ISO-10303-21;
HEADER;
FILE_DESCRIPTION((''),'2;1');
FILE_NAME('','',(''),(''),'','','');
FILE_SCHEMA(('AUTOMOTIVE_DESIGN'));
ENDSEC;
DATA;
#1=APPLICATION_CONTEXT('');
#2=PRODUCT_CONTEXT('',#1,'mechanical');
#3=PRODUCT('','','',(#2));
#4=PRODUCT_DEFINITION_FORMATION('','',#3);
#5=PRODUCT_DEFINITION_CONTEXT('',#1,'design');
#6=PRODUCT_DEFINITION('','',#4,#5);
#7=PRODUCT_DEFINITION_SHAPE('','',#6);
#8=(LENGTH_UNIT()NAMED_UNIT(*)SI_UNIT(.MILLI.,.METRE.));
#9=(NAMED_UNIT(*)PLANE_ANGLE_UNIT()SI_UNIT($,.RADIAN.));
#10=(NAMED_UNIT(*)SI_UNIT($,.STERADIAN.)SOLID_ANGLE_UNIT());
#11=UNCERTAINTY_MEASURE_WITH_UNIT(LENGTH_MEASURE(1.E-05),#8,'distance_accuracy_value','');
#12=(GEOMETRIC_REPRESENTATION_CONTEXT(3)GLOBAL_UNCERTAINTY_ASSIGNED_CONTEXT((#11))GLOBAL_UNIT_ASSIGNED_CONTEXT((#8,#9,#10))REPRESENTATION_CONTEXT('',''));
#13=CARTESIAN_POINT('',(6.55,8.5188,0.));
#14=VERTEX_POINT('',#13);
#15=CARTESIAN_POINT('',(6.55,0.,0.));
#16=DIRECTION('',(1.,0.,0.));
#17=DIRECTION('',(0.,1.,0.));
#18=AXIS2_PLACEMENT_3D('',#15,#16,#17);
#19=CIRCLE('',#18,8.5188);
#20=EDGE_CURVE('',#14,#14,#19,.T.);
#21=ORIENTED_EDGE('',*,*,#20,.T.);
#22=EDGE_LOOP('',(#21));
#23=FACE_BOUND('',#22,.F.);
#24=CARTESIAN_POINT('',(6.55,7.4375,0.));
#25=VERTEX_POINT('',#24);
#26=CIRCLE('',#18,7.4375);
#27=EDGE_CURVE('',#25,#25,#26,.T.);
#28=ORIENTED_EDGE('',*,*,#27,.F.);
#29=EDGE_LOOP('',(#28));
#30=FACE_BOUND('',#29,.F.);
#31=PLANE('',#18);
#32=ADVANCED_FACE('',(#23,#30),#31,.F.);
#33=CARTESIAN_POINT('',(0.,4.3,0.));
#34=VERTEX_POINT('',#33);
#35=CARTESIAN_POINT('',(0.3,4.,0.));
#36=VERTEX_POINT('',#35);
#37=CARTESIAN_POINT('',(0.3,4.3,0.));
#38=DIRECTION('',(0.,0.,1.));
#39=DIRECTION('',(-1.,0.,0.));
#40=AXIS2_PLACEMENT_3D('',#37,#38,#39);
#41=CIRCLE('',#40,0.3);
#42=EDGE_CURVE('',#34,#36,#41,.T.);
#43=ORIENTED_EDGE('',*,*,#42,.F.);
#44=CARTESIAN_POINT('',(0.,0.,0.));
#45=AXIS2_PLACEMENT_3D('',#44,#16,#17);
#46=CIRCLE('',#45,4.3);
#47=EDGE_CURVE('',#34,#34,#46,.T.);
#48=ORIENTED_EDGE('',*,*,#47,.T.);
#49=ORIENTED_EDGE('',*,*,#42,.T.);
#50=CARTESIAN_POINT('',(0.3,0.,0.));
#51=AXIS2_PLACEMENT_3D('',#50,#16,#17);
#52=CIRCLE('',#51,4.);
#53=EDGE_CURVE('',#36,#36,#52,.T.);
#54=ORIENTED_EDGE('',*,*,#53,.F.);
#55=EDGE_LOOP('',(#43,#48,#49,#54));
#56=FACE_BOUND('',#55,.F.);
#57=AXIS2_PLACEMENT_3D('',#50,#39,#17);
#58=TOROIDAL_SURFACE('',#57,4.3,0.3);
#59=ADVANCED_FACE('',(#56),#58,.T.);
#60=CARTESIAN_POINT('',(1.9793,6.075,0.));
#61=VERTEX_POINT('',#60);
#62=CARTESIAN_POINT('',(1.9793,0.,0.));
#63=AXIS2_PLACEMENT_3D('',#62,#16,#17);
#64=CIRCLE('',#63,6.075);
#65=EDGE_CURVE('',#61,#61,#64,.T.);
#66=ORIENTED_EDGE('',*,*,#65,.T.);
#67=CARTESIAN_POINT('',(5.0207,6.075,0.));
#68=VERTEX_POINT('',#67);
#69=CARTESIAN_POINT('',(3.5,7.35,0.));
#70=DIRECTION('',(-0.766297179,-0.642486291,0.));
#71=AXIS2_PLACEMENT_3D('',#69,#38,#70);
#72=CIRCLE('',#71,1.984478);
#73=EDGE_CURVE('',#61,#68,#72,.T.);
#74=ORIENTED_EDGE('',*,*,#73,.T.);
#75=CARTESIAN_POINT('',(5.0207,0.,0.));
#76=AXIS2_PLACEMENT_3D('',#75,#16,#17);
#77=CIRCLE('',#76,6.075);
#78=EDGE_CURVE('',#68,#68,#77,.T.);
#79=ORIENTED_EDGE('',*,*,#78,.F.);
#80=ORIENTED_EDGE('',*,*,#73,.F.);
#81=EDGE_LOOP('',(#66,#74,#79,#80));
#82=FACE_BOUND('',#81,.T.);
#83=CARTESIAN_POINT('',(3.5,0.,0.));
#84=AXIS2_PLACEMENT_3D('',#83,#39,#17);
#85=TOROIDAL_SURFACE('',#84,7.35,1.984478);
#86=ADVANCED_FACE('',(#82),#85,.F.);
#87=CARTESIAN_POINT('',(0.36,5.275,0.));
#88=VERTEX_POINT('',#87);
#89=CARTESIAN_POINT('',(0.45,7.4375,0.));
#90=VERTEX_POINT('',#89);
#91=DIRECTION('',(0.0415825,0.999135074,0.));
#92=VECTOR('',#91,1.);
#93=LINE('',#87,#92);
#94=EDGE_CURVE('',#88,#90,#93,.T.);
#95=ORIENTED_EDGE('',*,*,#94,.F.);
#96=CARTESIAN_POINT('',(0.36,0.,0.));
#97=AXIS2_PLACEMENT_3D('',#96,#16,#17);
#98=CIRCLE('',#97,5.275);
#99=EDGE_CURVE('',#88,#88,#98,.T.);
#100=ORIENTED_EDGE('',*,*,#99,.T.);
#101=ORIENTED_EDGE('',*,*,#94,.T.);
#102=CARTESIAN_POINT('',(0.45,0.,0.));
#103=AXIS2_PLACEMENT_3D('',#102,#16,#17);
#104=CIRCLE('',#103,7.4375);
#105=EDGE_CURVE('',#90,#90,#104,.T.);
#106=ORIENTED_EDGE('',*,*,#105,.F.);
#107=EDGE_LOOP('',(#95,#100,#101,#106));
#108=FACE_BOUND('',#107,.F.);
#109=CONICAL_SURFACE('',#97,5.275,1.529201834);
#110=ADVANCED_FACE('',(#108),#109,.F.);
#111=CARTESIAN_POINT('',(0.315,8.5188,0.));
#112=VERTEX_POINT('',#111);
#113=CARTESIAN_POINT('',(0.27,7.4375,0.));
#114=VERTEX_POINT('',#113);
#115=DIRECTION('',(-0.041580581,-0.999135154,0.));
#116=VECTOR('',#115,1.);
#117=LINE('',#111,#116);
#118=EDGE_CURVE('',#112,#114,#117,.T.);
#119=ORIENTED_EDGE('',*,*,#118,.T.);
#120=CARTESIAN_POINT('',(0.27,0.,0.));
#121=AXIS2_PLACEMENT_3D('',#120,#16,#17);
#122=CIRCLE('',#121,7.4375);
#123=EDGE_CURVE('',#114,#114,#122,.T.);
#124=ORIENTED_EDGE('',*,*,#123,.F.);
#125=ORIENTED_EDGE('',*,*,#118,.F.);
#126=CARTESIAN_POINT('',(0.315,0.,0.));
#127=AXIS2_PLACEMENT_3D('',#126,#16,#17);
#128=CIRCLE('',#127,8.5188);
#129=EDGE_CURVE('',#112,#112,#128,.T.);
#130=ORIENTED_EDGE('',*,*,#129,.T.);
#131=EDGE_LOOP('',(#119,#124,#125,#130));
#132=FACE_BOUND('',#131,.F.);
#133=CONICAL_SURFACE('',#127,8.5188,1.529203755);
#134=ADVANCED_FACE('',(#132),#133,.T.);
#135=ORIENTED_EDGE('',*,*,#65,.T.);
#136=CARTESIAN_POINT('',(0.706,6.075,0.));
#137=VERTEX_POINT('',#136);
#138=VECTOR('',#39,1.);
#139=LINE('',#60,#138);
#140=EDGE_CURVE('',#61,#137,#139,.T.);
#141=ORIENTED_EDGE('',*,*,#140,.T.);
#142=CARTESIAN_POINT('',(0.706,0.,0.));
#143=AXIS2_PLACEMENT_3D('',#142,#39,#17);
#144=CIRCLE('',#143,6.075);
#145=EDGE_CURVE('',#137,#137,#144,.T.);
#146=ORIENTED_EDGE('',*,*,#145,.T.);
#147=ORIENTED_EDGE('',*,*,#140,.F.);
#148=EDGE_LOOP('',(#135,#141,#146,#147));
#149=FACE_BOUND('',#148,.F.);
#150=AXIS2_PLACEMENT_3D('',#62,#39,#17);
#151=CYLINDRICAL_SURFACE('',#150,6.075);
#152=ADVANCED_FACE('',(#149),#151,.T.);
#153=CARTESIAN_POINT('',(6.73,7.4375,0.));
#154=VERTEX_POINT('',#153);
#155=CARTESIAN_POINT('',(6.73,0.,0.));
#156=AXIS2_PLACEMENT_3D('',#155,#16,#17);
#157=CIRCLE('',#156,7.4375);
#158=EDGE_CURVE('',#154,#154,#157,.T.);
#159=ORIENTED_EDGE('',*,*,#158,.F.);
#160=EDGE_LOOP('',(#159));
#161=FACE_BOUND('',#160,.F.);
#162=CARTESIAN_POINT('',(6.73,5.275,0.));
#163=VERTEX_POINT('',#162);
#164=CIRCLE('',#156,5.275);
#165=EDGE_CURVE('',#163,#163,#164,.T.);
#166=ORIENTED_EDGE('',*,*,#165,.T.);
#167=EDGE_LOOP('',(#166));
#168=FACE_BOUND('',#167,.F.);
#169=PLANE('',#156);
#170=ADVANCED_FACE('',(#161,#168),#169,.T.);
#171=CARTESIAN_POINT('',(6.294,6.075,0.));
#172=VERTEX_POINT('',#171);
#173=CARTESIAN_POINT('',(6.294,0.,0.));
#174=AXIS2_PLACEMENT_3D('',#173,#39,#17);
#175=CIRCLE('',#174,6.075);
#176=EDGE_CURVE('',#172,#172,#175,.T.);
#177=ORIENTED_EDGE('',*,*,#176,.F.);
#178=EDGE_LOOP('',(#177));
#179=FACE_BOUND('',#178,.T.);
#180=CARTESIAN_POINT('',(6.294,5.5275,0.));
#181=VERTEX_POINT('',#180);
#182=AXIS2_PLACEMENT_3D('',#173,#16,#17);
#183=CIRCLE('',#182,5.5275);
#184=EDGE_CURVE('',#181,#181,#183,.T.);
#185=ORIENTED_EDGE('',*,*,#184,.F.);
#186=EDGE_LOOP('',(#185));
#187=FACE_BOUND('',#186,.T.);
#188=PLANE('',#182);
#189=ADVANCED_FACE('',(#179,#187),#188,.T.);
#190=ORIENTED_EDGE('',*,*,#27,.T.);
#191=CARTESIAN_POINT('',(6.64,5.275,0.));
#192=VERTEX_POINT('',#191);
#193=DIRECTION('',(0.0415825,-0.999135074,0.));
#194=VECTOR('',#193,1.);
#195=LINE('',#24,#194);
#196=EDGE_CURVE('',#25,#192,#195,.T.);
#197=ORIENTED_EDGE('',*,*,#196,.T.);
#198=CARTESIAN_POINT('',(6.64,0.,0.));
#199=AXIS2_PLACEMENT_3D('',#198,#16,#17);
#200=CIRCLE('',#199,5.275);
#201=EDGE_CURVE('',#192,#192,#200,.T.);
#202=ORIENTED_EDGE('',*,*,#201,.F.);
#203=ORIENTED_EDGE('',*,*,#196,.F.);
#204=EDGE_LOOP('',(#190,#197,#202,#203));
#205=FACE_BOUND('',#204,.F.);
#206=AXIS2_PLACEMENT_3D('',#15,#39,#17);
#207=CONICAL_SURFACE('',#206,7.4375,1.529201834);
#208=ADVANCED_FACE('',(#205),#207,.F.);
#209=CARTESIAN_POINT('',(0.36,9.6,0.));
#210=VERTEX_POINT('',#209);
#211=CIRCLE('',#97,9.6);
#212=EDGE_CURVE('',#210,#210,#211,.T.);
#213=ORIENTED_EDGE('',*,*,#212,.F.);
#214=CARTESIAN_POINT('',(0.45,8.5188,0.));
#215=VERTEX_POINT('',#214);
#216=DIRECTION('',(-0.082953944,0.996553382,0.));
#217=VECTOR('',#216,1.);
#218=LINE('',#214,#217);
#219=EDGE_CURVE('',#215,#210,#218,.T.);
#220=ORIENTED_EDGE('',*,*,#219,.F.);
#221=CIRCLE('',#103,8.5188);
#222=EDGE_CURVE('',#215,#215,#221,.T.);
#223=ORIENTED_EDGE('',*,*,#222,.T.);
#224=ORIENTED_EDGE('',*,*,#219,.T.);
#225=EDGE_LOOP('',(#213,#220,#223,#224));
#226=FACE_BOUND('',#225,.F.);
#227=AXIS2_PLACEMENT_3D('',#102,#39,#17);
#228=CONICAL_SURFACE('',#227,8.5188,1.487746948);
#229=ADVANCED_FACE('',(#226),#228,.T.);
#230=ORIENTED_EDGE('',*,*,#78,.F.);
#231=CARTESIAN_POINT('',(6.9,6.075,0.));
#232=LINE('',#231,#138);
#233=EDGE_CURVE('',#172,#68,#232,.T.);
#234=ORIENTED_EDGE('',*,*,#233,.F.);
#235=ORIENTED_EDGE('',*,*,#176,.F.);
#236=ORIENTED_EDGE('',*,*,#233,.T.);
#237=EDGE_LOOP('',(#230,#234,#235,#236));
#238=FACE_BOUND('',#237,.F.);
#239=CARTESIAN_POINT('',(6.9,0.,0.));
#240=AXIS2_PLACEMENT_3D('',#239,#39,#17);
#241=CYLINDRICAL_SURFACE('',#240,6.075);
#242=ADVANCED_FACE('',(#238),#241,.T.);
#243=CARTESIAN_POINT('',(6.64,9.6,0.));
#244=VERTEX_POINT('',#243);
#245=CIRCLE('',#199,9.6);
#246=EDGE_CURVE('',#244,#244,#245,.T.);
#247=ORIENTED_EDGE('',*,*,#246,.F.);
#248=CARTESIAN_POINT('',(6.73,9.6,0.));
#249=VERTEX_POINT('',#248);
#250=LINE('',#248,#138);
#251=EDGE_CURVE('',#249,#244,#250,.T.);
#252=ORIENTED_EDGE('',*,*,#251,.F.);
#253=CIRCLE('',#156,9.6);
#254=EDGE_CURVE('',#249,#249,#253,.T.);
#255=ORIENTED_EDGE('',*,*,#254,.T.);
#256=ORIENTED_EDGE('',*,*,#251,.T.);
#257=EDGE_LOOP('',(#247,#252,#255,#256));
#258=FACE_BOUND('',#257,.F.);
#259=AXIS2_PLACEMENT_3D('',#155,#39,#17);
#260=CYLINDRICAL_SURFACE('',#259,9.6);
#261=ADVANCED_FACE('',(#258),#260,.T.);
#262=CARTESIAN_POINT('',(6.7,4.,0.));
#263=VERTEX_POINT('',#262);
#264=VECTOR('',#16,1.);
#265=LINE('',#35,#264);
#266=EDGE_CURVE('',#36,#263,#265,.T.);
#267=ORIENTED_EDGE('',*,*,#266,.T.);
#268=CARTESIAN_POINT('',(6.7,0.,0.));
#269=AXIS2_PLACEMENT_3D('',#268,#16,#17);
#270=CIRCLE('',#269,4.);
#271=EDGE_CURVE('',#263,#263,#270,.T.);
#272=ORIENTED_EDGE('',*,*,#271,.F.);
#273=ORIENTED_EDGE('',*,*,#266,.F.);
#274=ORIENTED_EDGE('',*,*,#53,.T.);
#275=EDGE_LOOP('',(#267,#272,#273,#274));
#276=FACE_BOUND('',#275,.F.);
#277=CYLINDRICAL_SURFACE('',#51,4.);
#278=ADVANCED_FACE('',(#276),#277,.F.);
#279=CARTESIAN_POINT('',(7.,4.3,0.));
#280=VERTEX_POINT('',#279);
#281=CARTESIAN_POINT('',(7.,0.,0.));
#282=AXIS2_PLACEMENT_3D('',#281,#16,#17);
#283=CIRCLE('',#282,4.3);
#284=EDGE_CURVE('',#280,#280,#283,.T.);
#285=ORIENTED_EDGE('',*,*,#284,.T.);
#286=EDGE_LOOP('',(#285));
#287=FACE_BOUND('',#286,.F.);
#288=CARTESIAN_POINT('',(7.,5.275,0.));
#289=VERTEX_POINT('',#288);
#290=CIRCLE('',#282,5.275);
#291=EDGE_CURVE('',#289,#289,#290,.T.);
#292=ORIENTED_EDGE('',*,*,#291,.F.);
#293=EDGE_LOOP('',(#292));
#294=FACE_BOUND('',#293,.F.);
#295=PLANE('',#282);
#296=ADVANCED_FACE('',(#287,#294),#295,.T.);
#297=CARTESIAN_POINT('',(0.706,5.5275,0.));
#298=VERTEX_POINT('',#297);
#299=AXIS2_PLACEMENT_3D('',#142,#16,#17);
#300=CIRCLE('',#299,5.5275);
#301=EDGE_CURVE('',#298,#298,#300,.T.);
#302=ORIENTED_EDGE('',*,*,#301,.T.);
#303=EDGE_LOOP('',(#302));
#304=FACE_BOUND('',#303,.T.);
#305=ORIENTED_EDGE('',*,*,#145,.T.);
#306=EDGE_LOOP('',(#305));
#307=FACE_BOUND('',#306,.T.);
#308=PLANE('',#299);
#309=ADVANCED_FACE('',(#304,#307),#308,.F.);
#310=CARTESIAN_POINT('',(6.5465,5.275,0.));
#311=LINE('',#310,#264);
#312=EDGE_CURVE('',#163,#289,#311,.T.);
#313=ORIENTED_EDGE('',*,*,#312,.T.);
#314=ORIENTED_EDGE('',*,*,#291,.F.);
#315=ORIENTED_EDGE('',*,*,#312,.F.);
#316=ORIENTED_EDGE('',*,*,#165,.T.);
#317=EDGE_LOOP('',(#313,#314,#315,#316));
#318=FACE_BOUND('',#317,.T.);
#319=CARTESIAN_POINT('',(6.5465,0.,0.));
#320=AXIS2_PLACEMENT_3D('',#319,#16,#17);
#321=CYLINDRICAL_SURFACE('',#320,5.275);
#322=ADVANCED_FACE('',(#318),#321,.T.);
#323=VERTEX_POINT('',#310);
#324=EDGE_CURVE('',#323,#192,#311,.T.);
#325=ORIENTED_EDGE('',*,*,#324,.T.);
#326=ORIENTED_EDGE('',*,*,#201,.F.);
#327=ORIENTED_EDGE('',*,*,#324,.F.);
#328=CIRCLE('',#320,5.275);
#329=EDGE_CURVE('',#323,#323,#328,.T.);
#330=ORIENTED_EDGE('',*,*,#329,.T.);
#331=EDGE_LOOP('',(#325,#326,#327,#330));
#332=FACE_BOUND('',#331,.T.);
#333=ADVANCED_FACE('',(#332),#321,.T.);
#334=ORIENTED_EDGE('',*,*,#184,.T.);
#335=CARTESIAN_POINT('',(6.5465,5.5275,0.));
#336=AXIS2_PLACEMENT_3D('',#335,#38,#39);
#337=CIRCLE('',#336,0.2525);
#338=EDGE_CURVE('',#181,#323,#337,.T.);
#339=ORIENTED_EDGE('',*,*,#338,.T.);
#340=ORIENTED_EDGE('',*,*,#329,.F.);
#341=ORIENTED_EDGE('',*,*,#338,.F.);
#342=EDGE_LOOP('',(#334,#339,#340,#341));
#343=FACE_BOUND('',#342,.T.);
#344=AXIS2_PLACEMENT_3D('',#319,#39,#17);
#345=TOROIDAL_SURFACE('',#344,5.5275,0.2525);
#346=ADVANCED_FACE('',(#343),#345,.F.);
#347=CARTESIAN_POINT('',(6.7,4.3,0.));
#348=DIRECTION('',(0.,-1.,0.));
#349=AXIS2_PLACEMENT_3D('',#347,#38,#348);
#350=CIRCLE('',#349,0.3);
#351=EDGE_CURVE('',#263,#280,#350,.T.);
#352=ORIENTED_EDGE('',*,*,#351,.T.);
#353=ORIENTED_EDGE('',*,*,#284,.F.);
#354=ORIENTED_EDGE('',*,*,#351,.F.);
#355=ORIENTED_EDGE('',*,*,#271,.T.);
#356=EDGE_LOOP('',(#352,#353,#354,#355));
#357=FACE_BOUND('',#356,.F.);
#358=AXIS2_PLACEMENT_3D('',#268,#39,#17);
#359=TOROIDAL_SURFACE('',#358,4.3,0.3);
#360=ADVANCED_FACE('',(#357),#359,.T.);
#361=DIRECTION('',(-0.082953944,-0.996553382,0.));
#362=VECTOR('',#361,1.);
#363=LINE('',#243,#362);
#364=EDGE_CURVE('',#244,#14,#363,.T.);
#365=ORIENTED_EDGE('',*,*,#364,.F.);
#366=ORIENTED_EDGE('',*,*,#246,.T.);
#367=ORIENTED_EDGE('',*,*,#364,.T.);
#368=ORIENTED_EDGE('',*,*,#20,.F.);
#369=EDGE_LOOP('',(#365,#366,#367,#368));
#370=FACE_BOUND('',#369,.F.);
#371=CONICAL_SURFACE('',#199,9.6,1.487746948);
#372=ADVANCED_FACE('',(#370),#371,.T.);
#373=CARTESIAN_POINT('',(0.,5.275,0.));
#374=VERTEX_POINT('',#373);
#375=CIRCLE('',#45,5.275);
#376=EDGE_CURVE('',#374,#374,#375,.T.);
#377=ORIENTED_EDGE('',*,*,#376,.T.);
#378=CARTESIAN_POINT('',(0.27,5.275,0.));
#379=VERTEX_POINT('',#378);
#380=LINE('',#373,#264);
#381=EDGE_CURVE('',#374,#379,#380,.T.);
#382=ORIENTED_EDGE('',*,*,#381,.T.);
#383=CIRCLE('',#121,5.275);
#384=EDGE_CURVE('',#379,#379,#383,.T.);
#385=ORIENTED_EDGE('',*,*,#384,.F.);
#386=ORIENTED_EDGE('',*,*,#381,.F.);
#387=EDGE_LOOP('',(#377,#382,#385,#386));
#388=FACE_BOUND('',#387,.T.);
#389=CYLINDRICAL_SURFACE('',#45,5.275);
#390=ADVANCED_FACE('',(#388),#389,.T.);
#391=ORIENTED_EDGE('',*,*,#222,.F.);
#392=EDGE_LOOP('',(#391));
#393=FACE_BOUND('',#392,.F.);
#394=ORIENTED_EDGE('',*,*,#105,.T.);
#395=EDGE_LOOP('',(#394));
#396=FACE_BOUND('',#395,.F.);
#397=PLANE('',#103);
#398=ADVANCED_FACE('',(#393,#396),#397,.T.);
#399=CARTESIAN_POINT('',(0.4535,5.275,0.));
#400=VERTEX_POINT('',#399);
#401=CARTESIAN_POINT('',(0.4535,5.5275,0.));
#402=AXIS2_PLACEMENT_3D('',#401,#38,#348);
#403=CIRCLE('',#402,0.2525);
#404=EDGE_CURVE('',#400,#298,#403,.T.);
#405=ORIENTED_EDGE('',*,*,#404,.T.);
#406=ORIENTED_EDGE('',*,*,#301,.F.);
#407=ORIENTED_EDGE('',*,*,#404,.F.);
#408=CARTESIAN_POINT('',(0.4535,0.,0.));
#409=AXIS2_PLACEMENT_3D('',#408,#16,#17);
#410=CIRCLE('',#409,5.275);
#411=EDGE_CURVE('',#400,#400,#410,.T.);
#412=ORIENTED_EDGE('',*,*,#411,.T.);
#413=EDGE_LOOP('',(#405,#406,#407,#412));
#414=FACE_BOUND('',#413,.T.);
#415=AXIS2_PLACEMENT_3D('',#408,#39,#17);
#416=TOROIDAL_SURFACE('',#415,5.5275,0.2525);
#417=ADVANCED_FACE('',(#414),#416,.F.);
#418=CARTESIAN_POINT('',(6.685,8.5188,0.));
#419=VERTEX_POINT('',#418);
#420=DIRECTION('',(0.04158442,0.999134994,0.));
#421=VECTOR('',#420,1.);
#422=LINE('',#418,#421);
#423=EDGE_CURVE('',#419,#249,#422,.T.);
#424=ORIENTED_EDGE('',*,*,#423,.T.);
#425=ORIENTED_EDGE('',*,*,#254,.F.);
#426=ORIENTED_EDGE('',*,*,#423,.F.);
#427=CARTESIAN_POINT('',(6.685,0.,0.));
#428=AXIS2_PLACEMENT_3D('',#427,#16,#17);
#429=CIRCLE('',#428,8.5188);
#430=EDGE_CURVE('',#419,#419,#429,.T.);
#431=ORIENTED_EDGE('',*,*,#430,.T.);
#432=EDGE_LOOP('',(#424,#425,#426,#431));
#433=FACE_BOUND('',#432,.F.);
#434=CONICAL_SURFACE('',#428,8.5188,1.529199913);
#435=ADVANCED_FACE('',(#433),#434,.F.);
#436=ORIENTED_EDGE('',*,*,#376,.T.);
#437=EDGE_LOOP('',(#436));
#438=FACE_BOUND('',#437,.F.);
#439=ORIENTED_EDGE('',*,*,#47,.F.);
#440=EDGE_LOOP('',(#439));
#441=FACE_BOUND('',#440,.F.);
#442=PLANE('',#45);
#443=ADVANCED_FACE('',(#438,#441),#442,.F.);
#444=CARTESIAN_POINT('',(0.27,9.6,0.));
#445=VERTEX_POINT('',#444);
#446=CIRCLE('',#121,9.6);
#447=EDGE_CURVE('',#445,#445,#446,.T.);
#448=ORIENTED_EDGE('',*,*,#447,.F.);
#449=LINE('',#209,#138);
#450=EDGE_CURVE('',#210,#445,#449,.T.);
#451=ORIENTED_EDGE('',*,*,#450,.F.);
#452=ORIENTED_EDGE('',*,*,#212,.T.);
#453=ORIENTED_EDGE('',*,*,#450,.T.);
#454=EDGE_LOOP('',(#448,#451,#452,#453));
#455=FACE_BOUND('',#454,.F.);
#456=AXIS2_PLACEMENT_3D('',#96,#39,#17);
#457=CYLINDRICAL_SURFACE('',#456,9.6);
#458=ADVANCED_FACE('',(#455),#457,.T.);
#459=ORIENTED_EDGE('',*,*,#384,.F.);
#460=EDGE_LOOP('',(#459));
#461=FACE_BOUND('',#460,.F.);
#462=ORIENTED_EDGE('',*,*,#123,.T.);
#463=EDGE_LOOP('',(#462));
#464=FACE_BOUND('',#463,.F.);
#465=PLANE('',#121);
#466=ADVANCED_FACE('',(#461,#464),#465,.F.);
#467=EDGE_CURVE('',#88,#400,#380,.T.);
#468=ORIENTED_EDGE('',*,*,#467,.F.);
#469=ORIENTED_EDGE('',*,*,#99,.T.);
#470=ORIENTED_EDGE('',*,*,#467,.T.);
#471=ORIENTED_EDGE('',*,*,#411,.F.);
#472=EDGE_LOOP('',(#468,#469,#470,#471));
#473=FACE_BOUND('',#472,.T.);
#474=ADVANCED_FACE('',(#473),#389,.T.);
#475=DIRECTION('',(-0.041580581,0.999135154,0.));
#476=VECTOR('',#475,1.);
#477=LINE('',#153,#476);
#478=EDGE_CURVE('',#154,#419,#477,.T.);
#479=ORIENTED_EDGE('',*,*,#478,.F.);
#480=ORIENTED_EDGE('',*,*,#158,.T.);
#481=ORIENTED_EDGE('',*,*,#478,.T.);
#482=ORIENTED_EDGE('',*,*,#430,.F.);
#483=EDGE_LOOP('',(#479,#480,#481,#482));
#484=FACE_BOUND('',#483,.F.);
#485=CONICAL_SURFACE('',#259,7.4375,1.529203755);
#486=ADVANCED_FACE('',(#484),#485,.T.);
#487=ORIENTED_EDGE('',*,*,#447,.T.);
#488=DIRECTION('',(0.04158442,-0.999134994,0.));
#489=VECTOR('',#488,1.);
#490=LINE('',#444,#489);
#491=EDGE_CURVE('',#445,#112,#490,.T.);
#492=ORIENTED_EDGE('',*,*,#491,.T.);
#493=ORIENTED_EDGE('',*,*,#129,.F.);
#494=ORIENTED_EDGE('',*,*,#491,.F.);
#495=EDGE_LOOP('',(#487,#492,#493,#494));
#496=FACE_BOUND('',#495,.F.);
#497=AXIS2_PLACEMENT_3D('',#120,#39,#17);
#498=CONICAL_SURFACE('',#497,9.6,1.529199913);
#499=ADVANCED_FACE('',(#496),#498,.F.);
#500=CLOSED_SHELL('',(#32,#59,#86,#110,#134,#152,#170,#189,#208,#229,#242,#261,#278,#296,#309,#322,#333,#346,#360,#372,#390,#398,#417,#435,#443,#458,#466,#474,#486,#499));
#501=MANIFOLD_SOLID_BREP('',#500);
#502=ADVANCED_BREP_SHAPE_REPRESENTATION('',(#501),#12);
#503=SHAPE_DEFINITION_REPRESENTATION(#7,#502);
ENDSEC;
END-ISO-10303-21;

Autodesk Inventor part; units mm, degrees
ref_plane "YZ Plane" through (0, 0, 0) normal (1, 0, 0) x (0, 1, 0)
ref_plane "XZ Plane" through (0, 0, 0) normal (0, 1, 0) x (-1, 0, 0)
ref_plane "XY Plane" through (0, 0, 0) normal (0, 0, 1) x (1, 0, 0)
sketch "Sketch_58" plane through (0, 0, 0) normal (0, 0, 1) x (1, 0, 0)
  line L0 (50, 0) -> (-50, 0)
  line L1 (0, 5.975) -> (0, 4.3)
  arc A0 (0, 4.3) -> (0.3, 4) centre (0.3, 4.3) ccw
  line L2 (0.3, 4) -> (6.7, 4)
  arc A1 (6.7, 4) -> (7, 4.3) centre (6.7, 4.3) ccw
  line L3 (7, 4.3) -> (7, 5.975)
  arc A2 (7, 5.975) -> (6.9, 6.075) centre (6.9, 5.975) ccw
  line L4 (6.9, 6.075) -> (5.0207, 6.075)
  arc A3 (1.9793, 6.075) -> (5.0207, 6.075) centre (3.5, 7.35) ccw
  line L5 (1.9793, 6.075) -> (0.1, 6.075)
  arc A4 (0.1, 6.075) -> (0, 5.975) centre (0.1, 5.975) ccw
revolve "Revolution1" add sketch "Sketch_58" angle 360 about axis through (50, 0, 0) along (1, 0, 0)
sketch "Sketch_59" plane through (0, 0, 0) normal (0, 0, 1) x (1, 0, 0)
  line L0 (50, 0) -> (-50, 0)
  line L1 (0, 8.95) -> (0, 5.275)
  line L2 (0, 5.275) -> (0.4535, 5.275)
  arc A0 (0.4535, 5.275) -> (0.706, 5.5275) centre (0.4535, 5.5275) ccw
  line L3 (0.706, 5.5275) -> (0.706, 8.344)
  line L4 (0.706, 8.344) -> (6.294, 8.344)
  line L5 (6.294, 8.344) -> (6.294, 5.5275)
  arc A1 (6.294, 5.5275) -> (6.5465, 5.275) centre (6.5465, 5.5275) ccw
  line L6 (6.5465, 5.275) -> (7, 5.275)
  line L7 (7, 5.275) -> (7, 8.95)
  line L8 (7, 8.95) -> (0, 8.95)
revolve "Revolution2" cut sketch "Sketch_59" angle 360 about axis through (50, 0, 0) along (1, 0, 0)
sketch "Sketch_60" plane through (0, 0, 0) normal (0, 0, 1) x (1, 0, 0)
  line L0 (2, 0) -> (-2, 0)
  line L1 (0.27, 9.6) -> (0.315, 8.5188)
  line L2 (0.315, 8.5188) -> (0.27, 7.4375)
  line L3 (0.27, 7.4375) -> (0.27, 5.275)
  line L4 (0.27, 5.275) -> (0.36, 5.275)
  line L5 (0.36, 5.275) -> (0.45, 7.4375)
  line L6 (0.45, 7.4375) -> (0.45, 8.5188)
  line L7 (0.45, 8.5188) -> (0.36, 9.6)
  line L8 (0.36, 9.6) -> (0.27, 9.6)
revolve "Revolution3" add sketch "Sketch_60" angle 360 about axis through (2, 0, 0) along (1, 0, 0)
sketch "Sketch_61" plane through (0, 0, 0) normal (0, 0, 1) x (1, 0, 0)
  line L0 (2, 0) -> (-2, 0)
  line L1 (6.55, 7.4375) -> (6.64, 5.275)
  line L2 (6.64, 5.275) -> (6.73, 5.275)
  line L3 (6.73, 5.275) -> (6.73, 7.4375)
  line L4 (6.73, 7.4375) -> (6.685, 8.5188)
  line L5 (6.685, 8.5188) -> (6.73, 9.6)
  line L6 (6.73, 9.6) -> (6.64, 9.6)
  line L7 (6.64, 9.6) -> (6.55, 8.5188)
  line L8 (6.55, 8.5188) -> (6.55, 7.4375)
revolve "Revolution4" add sketch "Sketch_61" angle 360 about axis through (2, 0, 0) along (1, 0, 0)
properties part number "SKF_608-2RSL_PART1"
